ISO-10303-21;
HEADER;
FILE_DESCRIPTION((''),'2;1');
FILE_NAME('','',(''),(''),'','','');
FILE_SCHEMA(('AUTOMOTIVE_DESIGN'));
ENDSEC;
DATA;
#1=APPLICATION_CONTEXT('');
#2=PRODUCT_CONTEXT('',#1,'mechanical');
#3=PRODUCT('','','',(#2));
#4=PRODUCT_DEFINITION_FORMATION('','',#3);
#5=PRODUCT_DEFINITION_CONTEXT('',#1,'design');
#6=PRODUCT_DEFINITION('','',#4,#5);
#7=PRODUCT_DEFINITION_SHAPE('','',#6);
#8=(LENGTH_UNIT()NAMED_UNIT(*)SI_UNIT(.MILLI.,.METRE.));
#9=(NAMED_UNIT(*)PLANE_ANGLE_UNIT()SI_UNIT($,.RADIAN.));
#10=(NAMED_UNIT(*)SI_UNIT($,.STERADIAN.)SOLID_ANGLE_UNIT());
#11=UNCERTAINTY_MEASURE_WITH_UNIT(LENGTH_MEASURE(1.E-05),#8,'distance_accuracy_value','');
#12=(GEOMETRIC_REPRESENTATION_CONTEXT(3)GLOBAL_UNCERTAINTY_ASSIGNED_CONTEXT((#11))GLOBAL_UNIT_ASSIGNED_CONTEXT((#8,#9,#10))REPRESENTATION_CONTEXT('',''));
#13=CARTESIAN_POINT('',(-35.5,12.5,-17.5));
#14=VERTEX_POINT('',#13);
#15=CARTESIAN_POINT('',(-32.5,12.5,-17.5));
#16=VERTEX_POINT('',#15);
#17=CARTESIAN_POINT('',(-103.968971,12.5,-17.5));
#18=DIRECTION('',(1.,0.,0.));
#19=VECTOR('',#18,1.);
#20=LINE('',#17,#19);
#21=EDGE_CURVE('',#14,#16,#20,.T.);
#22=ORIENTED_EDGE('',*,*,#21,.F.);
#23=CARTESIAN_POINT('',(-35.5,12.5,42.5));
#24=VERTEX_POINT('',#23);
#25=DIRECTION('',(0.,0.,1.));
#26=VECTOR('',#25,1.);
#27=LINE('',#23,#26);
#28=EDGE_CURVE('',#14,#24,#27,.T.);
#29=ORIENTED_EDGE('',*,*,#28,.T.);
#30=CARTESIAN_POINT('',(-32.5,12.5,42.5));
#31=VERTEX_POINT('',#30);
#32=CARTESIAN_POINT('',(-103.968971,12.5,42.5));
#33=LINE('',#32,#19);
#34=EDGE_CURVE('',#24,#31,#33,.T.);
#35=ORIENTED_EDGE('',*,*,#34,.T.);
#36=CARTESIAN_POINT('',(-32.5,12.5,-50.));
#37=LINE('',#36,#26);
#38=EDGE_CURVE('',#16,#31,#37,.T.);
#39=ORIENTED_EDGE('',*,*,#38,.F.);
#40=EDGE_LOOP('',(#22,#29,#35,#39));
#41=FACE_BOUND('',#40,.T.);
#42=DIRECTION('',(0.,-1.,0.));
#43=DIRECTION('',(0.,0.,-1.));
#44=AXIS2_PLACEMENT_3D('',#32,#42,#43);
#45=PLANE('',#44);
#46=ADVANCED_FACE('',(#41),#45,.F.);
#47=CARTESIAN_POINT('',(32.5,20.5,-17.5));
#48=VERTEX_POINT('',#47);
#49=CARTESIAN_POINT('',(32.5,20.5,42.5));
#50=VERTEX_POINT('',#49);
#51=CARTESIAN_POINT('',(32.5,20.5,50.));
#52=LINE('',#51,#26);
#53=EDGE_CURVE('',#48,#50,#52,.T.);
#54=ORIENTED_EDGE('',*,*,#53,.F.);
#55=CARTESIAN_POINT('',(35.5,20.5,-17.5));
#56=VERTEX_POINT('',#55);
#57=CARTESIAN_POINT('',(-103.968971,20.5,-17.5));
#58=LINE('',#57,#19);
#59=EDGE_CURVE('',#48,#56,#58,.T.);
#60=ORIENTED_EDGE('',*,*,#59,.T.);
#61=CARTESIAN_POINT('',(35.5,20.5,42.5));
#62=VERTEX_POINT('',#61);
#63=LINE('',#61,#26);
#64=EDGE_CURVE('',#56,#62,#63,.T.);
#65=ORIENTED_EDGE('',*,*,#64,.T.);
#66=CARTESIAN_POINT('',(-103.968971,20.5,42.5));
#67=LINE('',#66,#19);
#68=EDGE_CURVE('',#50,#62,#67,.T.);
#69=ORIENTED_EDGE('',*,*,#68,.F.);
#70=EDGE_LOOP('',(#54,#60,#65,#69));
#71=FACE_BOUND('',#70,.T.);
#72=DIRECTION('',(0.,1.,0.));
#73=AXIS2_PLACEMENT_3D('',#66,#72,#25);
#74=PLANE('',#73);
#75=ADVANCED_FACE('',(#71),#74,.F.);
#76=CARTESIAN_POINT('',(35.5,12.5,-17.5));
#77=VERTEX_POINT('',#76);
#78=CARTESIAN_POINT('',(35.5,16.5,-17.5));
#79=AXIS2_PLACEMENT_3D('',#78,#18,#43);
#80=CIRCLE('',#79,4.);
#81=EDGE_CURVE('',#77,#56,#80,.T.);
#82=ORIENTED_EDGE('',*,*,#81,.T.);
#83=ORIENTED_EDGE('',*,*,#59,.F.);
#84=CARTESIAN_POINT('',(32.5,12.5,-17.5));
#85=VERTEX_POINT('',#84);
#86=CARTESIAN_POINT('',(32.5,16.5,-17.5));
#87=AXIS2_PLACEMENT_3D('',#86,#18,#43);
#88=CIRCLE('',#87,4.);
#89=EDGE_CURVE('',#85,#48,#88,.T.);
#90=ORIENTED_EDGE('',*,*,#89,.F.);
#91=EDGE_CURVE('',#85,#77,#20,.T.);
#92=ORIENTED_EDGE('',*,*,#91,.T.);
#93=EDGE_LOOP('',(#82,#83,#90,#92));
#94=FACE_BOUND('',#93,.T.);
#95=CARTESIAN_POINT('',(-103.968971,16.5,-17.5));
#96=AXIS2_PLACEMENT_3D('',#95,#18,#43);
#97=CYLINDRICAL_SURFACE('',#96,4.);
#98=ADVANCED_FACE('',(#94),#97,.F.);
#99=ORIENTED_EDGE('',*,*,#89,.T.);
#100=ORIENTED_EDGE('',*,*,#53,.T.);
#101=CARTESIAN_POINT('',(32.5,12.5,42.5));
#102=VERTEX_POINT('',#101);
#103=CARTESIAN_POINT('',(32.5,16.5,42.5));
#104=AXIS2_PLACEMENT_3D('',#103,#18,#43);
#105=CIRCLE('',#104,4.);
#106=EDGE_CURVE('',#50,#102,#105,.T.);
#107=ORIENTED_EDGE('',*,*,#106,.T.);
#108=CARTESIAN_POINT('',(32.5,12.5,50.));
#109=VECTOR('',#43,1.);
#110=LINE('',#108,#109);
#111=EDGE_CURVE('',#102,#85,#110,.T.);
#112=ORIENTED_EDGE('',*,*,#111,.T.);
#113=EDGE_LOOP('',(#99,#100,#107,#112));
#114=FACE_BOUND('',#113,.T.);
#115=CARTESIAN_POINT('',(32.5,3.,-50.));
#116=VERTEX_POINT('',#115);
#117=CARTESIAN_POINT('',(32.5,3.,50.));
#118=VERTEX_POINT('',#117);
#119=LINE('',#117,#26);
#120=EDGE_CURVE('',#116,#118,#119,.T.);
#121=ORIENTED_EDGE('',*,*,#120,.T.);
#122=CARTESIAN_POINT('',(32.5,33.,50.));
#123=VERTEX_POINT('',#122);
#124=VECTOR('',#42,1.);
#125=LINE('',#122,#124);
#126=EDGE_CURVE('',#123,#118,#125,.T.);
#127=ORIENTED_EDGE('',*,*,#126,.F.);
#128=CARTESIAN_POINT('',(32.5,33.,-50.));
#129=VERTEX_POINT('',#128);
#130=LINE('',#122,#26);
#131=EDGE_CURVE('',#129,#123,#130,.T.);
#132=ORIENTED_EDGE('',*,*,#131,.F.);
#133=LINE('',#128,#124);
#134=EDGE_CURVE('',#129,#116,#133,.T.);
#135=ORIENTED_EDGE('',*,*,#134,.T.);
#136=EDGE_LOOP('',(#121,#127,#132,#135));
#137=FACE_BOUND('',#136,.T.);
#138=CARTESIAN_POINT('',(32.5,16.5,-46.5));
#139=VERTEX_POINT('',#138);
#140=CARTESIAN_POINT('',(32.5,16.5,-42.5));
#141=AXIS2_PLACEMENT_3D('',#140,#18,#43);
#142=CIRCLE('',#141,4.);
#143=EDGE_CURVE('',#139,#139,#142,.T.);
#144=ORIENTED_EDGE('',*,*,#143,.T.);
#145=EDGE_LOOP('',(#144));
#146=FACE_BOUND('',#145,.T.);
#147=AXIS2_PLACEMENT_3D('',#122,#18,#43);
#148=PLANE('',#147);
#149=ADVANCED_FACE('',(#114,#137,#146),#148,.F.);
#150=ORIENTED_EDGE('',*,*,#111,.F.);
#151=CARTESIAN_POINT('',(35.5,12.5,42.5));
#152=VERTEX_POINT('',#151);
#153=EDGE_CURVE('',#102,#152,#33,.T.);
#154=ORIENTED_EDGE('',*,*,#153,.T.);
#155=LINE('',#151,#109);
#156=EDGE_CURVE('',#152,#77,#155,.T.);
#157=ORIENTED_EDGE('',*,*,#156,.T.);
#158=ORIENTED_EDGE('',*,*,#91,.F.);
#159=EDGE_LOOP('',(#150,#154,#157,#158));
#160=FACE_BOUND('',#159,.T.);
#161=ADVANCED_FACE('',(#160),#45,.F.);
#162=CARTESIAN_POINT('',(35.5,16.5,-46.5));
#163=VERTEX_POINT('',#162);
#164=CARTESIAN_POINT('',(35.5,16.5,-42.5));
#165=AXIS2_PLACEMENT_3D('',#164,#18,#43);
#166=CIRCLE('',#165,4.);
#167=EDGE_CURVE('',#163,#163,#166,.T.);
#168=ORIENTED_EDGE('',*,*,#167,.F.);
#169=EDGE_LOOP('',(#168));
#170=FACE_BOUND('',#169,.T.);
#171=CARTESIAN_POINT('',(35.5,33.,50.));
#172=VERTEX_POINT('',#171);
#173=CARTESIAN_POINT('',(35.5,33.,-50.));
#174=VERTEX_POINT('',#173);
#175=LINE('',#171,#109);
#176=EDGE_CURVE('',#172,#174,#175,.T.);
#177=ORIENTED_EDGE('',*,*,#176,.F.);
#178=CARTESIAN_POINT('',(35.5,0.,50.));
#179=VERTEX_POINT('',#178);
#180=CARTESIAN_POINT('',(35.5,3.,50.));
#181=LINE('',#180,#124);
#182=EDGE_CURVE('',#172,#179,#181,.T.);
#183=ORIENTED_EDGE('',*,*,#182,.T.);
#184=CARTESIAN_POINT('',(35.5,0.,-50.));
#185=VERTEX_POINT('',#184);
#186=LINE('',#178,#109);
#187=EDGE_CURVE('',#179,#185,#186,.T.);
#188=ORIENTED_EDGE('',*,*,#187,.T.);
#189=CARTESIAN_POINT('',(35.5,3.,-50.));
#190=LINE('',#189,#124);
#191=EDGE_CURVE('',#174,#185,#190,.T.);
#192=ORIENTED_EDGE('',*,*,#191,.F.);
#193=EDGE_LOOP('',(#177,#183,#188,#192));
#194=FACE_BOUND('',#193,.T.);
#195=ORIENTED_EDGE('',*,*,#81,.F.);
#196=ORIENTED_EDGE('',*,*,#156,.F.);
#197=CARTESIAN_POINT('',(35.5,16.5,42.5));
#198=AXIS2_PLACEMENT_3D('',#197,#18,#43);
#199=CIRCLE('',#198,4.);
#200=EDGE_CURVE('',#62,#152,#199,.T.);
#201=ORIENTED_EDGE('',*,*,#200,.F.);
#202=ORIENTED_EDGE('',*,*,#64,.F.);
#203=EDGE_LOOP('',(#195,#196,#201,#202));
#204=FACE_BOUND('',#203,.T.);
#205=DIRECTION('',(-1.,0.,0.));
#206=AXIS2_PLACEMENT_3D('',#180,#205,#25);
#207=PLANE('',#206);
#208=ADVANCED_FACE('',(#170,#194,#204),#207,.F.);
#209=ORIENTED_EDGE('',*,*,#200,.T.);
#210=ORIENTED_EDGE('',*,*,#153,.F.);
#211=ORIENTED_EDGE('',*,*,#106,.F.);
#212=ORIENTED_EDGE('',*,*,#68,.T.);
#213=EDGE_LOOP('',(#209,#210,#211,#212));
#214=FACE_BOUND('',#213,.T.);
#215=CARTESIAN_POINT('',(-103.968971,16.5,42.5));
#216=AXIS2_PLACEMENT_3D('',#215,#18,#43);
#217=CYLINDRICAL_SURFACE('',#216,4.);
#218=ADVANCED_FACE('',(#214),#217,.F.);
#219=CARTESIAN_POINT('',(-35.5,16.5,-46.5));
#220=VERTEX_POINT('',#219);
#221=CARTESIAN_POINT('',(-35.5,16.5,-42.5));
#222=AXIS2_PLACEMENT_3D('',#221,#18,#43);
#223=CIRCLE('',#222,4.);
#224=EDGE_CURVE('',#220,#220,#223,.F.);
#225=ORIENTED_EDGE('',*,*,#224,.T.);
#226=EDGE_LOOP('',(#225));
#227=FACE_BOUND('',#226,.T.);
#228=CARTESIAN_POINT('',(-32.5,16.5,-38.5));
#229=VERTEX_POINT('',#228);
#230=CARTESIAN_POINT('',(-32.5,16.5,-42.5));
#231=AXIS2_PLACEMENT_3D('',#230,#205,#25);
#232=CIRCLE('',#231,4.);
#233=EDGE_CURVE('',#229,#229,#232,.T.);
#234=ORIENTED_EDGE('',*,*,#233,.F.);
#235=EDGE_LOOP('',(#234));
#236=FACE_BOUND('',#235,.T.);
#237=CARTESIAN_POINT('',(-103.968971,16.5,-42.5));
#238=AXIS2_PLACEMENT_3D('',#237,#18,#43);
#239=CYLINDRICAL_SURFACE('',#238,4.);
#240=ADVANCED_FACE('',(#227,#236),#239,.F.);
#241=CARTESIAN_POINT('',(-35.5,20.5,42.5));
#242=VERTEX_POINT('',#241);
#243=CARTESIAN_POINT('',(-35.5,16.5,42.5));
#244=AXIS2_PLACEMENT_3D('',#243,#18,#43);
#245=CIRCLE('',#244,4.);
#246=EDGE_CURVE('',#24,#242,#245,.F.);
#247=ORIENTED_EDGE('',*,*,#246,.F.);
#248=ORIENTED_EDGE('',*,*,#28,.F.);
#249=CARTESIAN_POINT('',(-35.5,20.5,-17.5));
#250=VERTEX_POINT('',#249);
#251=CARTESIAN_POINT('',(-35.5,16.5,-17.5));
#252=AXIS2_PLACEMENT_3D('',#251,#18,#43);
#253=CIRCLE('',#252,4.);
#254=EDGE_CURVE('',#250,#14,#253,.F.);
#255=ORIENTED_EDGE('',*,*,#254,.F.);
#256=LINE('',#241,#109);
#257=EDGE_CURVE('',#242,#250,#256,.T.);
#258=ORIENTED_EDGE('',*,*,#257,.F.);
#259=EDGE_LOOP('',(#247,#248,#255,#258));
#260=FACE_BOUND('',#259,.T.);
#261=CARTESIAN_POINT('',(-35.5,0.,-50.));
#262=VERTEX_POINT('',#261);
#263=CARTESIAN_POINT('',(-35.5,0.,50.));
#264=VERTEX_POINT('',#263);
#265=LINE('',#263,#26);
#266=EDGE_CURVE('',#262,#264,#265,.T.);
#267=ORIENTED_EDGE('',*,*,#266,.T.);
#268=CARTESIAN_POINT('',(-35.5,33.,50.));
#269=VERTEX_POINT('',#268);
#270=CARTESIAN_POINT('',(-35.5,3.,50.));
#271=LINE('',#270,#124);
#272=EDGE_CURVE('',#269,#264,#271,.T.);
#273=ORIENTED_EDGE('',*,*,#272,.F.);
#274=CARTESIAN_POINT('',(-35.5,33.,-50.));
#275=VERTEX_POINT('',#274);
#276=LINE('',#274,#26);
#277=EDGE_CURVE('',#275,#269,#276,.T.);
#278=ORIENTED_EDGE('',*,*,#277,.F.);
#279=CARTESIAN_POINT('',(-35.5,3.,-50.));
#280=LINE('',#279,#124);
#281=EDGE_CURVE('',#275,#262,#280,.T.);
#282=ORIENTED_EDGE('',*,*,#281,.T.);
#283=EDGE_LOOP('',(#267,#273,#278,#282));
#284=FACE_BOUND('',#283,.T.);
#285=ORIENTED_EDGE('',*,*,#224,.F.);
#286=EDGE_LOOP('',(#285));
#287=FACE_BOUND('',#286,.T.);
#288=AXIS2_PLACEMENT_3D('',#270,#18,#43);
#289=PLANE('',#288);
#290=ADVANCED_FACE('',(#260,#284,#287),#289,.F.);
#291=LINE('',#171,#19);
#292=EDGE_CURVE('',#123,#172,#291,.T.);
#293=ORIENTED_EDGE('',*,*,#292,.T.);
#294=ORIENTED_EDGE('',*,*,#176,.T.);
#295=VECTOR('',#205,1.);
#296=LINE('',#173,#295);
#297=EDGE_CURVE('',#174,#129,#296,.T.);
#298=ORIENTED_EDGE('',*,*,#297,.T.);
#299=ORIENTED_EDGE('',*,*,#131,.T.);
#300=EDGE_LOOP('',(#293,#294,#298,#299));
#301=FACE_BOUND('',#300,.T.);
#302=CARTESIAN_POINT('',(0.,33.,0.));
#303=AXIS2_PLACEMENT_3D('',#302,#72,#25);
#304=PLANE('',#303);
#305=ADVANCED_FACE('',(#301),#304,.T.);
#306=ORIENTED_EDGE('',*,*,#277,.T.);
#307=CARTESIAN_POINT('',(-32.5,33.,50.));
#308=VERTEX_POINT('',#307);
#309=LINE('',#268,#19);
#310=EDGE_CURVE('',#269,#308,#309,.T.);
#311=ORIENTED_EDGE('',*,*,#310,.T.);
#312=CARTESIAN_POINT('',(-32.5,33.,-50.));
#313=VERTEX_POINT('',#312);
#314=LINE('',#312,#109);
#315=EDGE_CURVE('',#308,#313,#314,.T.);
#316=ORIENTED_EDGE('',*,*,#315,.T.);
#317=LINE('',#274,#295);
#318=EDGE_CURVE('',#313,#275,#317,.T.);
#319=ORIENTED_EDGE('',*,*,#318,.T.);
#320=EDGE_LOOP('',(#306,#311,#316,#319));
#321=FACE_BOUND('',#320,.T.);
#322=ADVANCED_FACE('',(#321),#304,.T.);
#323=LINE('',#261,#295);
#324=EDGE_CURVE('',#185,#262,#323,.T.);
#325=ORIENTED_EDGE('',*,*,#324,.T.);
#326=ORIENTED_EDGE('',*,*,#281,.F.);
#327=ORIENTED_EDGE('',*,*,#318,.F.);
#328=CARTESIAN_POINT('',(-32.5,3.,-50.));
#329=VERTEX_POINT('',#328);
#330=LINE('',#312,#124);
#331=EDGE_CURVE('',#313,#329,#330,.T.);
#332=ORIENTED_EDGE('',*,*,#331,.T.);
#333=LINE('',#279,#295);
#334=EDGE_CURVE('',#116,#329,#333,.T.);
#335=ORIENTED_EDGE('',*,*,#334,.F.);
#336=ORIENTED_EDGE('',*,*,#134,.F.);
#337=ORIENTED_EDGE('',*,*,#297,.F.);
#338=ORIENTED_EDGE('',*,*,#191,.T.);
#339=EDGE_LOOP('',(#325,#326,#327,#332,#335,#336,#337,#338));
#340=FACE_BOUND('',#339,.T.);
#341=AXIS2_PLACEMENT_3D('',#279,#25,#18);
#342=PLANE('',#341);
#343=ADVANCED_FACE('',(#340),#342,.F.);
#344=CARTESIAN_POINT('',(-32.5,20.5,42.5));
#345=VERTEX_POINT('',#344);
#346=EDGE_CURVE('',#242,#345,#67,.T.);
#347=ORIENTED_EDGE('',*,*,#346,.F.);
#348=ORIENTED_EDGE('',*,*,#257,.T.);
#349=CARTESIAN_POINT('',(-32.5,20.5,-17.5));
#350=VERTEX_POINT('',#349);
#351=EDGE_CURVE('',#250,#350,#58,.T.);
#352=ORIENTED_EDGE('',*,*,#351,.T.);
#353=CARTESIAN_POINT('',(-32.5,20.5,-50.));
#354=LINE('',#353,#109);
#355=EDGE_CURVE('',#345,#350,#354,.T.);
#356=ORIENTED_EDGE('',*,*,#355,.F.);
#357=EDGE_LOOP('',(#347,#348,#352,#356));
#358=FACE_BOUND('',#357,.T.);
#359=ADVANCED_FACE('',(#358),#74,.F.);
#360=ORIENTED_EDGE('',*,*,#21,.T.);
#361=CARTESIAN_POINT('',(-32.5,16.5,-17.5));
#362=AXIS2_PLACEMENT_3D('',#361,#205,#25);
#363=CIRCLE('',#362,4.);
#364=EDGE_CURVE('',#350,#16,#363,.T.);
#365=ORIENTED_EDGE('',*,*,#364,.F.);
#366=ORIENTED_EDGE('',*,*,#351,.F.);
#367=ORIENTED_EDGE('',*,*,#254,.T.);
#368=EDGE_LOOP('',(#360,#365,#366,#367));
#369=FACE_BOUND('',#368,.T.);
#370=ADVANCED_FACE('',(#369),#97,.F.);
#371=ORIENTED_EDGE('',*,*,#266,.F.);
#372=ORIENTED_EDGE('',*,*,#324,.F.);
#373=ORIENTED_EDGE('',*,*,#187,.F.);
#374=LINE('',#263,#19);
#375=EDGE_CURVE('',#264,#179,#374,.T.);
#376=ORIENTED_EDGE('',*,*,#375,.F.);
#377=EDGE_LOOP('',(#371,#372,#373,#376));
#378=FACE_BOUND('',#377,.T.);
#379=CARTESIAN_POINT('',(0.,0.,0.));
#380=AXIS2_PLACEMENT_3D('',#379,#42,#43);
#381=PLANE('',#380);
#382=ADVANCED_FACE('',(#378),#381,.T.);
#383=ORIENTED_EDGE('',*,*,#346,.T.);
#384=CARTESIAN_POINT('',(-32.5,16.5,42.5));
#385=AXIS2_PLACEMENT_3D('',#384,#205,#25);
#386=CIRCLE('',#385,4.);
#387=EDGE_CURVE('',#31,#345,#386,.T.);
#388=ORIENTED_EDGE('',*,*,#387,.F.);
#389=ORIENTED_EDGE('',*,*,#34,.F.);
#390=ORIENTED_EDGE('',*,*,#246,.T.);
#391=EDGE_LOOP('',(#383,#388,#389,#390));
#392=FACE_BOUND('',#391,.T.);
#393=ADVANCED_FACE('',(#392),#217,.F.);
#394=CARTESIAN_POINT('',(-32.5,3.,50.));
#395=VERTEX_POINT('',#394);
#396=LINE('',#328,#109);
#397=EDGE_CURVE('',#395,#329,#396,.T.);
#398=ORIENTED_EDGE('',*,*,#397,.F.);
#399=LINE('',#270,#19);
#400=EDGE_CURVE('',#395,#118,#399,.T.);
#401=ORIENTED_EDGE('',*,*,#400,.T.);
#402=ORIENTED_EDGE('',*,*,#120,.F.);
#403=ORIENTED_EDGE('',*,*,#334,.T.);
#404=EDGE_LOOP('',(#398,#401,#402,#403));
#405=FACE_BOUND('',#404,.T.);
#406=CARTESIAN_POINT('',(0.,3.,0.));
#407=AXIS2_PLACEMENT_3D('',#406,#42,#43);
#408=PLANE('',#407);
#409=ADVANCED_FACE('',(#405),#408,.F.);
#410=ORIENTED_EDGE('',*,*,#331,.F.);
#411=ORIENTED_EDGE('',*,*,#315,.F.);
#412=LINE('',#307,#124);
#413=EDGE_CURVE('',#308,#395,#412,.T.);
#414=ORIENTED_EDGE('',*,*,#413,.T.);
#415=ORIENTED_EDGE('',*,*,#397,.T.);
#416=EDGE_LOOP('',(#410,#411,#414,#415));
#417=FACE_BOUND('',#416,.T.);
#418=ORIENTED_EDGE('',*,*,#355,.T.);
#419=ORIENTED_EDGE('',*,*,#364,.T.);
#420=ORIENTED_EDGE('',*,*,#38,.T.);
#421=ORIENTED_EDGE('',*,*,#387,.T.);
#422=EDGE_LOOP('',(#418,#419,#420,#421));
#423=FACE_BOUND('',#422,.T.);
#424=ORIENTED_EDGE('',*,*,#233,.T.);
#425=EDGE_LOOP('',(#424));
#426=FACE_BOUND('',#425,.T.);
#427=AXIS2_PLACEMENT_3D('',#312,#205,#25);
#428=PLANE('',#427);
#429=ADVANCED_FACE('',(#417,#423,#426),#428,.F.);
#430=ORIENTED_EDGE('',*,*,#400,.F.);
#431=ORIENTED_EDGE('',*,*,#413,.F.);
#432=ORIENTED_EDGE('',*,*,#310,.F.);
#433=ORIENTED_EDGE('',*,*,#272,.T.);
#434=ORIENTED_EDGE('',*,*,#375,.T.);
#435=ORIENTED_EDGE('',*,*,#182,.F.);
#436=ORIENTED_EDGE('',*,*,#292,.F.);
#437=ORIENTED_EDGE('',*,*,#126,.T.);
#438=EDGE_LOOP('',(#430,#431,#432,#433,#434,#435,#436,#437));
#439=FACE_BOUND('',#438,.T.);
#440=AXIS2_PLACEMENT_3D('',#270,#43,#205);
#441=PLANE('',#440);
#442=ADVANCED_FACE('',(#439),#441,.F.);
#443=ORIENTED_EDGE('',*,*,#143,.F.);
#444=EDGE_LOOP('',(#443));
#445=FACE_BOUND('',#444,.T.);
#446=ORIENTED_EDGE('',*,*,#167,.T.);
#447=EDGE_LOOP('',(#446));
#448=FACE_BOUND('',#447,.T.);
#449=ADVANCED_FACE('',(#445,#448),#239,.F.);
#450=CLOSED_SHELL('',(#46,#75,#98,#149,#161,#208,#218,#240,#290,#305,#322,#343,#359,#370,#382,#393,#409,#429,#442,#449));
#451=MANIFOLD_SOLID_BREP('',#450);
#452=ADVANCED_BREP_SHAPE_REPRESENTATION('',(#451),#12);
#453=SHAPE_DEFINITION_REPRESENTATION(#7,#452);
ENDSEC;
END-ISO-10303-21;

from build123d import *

# Parameters (mm, degrees)
SKETCH_1_W          = 71
SKETCH_1_H          = 100
EXTRUDE_1_DEPTH     = 3
SKETCH_2_W          = 3
SKETCH_2_H          = 100
EXTRUDE_2_DEPTH     = 30
CUT_EXTRUDE_1_REACH = 94.898
SKETCH_3_R          = 4


with BuildPart() as part:
    # 草图1 → 凸台-拉伸1 (new body)
    with BuildSketch(Plane(origin=(0, 0, 0), x_dir=(1, 0, 0), z_dir=(0, 1, 0))):
        Rectangle(SKETCH_1_W, SKETCH_1_H)
    extrude(amount=EXTRUDE_1_DEPTH)

    # 草图2 → 凸台-拉伸2 (add)
    with BuildSketch(Plane(origin=(0, 3, 0), x_dir=(1, 0, 0), z_dir=(0, 1, 0))):
        with Locations((-34, 0)):
            Rectangle(SKETCH_2_W, SKETCH_2_H)
        with Locations((34, 0)):
            Rectangle(SKETCH_2_W, SKETCH_2_H)
    extrude(amount=EXTRUDE_2_DEPTH)

    # 切除-拉伸1: up to this face of the body (flat: up to its plane)
    cut_extrude_1_end = Plane(part.part.faces().sort_by_distance((-35.5, 16.5, 0))[0])
    # 草图3 → 切除-拉伸1 (cut, up to the picked face)
    with BuildSketch(Plane(origin=(35.5, 0, 0), x_dir=(0, 0, -1), z_dir=(1, 0, 0)), mode=Mode.PRIVATE) as cut_extrude_1_sk1:
        with Locations((42.5, 16.5)):
            Circle(SKETCH_3_R)
    cut_extrude_1_tool1 = split(extrude(cut_extrude_1_sk1.sketch, amount=-CUT_EXTRUDE_1_REACH, mode=Mode.PRIVATE), bisect_by=cut_extrude_1_end, keep=Keep.BOTH, mode=Mode.PRIVATE)
    # 草图3 → 切除-拉伸1 (cut, up to the picked face)
    with BuildSketch(Plane(origin=(35.5, 0, 0), x_dir=(0, 0, -1), z_dir=(1, 0, 0)), mode=Mode.PRIVATE) as cut_extrude_1_sk2:
        with BuildLine():
            Line((-42.5, 12.5), (17.5, 12.5))
            ThreePointArc((17.5, 12.5), (21.5, 16.5), (17.5, 20.5))
            Line((17.5, 20.5), (-42.5, 20.5))
            ThreePointArc((-42.5, 20.5), (-46.5, 16.5), (-42.5, 12.5))
        make_face()
    cut_extrude_1_tool2 = split(extrude(cut_extrude_1_sk2.sketch, amount=-CUT_EXTRUDE_1_REACH, mode=Mode.PRIVATE), bisect_by=cut_extrude_1_end, keep=Keep.BOTH, mode=Mode.PRIVATE)
    add(cut_extrude_1_tool1.solids().sort_by(Axis((35.5, 16.5, -42.5), (-1, 0, 0)))[0], mode=Mode.SUBTRACT)
    add(cut_extrude_1_tool2.solids().sort_by(Axis((35.5, 16.5, 12.5), (-1, 0, 0)))[0], mode=Mode.SUBTRACT)


solid = part.part
